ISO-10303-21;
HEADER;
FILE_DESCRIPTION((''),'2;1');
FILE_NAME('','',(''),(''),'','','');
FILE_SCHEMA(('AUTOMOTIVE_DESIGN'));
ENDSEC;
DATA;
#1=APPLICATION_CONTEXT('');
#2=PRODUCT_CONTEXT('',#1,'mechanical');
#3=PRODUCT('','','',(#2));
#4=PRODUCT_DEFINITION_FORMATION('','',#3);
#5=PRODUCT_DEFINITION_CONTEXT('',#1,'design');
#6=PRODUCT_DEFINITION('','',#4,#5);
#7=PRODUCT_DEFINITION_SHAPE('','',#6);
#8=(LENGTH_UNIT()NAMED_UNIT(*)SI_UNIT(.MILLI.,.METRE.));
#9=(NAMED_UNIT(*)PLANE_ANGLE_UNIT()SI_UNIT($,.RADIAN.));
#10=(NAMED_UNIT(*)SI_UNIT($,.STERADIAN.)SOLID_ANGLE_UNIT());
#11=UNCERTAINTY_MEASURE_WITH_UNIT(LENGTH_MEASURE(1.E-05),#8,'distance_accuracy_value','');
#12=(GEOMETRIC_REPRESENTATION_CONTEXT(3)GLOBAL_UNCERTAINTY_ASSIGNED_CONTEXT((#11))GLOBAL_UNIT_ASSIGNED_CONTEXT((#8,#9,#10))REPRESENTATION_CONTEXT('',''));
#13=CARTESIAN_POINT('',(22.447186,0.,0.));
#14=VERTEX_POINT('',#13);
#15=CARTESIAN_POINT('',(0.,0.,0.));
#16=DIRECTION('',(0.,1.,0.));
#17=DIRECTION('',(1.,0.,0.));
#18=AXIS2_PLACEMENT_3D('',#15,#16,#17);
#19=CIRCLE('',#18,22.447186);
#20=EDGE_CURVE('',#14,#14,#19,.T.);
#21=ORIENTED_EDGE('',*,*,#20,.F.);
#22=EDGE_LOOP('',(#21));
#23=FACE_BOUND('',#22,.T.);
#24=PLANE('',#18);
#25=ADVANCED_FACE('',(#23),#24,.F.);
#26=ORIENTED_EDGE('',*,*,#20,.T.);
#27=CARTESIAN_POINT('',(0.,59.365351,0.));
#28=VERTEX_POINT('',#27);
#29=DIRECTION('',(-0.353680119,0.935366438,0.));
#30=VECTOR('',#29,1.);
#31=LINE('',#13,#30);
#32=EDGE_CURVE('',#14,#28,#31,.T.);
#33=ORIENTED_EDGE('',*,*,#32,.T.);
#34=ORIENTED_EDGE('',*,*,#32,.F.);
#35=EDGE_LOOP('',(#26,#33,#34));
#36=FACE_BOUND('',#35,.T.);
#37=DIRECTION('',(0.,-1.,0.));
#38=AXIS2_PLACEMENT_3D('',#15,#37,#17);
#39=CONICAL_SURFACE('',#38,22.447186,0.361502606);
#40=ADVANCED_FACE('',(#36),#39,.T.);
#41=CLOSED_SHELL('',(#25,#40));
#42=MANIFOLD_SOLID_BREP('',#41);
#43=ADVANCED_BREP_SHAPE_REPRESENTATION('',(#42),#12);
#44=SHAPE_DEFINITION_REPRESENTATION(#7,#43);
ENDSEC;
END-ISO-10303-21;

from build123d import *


with BuildPart() as f1:
    # F0 (on Top) → F1 (revolve)
    with BuildSketch(Plane.XY):
        Polygon((0, 59.365351), (0, 0), (22.447186, 0), align=None)
    revolve(axis=Axis((0, 29.682675, 0), (0, 1, 0)))


solid = f1.part
